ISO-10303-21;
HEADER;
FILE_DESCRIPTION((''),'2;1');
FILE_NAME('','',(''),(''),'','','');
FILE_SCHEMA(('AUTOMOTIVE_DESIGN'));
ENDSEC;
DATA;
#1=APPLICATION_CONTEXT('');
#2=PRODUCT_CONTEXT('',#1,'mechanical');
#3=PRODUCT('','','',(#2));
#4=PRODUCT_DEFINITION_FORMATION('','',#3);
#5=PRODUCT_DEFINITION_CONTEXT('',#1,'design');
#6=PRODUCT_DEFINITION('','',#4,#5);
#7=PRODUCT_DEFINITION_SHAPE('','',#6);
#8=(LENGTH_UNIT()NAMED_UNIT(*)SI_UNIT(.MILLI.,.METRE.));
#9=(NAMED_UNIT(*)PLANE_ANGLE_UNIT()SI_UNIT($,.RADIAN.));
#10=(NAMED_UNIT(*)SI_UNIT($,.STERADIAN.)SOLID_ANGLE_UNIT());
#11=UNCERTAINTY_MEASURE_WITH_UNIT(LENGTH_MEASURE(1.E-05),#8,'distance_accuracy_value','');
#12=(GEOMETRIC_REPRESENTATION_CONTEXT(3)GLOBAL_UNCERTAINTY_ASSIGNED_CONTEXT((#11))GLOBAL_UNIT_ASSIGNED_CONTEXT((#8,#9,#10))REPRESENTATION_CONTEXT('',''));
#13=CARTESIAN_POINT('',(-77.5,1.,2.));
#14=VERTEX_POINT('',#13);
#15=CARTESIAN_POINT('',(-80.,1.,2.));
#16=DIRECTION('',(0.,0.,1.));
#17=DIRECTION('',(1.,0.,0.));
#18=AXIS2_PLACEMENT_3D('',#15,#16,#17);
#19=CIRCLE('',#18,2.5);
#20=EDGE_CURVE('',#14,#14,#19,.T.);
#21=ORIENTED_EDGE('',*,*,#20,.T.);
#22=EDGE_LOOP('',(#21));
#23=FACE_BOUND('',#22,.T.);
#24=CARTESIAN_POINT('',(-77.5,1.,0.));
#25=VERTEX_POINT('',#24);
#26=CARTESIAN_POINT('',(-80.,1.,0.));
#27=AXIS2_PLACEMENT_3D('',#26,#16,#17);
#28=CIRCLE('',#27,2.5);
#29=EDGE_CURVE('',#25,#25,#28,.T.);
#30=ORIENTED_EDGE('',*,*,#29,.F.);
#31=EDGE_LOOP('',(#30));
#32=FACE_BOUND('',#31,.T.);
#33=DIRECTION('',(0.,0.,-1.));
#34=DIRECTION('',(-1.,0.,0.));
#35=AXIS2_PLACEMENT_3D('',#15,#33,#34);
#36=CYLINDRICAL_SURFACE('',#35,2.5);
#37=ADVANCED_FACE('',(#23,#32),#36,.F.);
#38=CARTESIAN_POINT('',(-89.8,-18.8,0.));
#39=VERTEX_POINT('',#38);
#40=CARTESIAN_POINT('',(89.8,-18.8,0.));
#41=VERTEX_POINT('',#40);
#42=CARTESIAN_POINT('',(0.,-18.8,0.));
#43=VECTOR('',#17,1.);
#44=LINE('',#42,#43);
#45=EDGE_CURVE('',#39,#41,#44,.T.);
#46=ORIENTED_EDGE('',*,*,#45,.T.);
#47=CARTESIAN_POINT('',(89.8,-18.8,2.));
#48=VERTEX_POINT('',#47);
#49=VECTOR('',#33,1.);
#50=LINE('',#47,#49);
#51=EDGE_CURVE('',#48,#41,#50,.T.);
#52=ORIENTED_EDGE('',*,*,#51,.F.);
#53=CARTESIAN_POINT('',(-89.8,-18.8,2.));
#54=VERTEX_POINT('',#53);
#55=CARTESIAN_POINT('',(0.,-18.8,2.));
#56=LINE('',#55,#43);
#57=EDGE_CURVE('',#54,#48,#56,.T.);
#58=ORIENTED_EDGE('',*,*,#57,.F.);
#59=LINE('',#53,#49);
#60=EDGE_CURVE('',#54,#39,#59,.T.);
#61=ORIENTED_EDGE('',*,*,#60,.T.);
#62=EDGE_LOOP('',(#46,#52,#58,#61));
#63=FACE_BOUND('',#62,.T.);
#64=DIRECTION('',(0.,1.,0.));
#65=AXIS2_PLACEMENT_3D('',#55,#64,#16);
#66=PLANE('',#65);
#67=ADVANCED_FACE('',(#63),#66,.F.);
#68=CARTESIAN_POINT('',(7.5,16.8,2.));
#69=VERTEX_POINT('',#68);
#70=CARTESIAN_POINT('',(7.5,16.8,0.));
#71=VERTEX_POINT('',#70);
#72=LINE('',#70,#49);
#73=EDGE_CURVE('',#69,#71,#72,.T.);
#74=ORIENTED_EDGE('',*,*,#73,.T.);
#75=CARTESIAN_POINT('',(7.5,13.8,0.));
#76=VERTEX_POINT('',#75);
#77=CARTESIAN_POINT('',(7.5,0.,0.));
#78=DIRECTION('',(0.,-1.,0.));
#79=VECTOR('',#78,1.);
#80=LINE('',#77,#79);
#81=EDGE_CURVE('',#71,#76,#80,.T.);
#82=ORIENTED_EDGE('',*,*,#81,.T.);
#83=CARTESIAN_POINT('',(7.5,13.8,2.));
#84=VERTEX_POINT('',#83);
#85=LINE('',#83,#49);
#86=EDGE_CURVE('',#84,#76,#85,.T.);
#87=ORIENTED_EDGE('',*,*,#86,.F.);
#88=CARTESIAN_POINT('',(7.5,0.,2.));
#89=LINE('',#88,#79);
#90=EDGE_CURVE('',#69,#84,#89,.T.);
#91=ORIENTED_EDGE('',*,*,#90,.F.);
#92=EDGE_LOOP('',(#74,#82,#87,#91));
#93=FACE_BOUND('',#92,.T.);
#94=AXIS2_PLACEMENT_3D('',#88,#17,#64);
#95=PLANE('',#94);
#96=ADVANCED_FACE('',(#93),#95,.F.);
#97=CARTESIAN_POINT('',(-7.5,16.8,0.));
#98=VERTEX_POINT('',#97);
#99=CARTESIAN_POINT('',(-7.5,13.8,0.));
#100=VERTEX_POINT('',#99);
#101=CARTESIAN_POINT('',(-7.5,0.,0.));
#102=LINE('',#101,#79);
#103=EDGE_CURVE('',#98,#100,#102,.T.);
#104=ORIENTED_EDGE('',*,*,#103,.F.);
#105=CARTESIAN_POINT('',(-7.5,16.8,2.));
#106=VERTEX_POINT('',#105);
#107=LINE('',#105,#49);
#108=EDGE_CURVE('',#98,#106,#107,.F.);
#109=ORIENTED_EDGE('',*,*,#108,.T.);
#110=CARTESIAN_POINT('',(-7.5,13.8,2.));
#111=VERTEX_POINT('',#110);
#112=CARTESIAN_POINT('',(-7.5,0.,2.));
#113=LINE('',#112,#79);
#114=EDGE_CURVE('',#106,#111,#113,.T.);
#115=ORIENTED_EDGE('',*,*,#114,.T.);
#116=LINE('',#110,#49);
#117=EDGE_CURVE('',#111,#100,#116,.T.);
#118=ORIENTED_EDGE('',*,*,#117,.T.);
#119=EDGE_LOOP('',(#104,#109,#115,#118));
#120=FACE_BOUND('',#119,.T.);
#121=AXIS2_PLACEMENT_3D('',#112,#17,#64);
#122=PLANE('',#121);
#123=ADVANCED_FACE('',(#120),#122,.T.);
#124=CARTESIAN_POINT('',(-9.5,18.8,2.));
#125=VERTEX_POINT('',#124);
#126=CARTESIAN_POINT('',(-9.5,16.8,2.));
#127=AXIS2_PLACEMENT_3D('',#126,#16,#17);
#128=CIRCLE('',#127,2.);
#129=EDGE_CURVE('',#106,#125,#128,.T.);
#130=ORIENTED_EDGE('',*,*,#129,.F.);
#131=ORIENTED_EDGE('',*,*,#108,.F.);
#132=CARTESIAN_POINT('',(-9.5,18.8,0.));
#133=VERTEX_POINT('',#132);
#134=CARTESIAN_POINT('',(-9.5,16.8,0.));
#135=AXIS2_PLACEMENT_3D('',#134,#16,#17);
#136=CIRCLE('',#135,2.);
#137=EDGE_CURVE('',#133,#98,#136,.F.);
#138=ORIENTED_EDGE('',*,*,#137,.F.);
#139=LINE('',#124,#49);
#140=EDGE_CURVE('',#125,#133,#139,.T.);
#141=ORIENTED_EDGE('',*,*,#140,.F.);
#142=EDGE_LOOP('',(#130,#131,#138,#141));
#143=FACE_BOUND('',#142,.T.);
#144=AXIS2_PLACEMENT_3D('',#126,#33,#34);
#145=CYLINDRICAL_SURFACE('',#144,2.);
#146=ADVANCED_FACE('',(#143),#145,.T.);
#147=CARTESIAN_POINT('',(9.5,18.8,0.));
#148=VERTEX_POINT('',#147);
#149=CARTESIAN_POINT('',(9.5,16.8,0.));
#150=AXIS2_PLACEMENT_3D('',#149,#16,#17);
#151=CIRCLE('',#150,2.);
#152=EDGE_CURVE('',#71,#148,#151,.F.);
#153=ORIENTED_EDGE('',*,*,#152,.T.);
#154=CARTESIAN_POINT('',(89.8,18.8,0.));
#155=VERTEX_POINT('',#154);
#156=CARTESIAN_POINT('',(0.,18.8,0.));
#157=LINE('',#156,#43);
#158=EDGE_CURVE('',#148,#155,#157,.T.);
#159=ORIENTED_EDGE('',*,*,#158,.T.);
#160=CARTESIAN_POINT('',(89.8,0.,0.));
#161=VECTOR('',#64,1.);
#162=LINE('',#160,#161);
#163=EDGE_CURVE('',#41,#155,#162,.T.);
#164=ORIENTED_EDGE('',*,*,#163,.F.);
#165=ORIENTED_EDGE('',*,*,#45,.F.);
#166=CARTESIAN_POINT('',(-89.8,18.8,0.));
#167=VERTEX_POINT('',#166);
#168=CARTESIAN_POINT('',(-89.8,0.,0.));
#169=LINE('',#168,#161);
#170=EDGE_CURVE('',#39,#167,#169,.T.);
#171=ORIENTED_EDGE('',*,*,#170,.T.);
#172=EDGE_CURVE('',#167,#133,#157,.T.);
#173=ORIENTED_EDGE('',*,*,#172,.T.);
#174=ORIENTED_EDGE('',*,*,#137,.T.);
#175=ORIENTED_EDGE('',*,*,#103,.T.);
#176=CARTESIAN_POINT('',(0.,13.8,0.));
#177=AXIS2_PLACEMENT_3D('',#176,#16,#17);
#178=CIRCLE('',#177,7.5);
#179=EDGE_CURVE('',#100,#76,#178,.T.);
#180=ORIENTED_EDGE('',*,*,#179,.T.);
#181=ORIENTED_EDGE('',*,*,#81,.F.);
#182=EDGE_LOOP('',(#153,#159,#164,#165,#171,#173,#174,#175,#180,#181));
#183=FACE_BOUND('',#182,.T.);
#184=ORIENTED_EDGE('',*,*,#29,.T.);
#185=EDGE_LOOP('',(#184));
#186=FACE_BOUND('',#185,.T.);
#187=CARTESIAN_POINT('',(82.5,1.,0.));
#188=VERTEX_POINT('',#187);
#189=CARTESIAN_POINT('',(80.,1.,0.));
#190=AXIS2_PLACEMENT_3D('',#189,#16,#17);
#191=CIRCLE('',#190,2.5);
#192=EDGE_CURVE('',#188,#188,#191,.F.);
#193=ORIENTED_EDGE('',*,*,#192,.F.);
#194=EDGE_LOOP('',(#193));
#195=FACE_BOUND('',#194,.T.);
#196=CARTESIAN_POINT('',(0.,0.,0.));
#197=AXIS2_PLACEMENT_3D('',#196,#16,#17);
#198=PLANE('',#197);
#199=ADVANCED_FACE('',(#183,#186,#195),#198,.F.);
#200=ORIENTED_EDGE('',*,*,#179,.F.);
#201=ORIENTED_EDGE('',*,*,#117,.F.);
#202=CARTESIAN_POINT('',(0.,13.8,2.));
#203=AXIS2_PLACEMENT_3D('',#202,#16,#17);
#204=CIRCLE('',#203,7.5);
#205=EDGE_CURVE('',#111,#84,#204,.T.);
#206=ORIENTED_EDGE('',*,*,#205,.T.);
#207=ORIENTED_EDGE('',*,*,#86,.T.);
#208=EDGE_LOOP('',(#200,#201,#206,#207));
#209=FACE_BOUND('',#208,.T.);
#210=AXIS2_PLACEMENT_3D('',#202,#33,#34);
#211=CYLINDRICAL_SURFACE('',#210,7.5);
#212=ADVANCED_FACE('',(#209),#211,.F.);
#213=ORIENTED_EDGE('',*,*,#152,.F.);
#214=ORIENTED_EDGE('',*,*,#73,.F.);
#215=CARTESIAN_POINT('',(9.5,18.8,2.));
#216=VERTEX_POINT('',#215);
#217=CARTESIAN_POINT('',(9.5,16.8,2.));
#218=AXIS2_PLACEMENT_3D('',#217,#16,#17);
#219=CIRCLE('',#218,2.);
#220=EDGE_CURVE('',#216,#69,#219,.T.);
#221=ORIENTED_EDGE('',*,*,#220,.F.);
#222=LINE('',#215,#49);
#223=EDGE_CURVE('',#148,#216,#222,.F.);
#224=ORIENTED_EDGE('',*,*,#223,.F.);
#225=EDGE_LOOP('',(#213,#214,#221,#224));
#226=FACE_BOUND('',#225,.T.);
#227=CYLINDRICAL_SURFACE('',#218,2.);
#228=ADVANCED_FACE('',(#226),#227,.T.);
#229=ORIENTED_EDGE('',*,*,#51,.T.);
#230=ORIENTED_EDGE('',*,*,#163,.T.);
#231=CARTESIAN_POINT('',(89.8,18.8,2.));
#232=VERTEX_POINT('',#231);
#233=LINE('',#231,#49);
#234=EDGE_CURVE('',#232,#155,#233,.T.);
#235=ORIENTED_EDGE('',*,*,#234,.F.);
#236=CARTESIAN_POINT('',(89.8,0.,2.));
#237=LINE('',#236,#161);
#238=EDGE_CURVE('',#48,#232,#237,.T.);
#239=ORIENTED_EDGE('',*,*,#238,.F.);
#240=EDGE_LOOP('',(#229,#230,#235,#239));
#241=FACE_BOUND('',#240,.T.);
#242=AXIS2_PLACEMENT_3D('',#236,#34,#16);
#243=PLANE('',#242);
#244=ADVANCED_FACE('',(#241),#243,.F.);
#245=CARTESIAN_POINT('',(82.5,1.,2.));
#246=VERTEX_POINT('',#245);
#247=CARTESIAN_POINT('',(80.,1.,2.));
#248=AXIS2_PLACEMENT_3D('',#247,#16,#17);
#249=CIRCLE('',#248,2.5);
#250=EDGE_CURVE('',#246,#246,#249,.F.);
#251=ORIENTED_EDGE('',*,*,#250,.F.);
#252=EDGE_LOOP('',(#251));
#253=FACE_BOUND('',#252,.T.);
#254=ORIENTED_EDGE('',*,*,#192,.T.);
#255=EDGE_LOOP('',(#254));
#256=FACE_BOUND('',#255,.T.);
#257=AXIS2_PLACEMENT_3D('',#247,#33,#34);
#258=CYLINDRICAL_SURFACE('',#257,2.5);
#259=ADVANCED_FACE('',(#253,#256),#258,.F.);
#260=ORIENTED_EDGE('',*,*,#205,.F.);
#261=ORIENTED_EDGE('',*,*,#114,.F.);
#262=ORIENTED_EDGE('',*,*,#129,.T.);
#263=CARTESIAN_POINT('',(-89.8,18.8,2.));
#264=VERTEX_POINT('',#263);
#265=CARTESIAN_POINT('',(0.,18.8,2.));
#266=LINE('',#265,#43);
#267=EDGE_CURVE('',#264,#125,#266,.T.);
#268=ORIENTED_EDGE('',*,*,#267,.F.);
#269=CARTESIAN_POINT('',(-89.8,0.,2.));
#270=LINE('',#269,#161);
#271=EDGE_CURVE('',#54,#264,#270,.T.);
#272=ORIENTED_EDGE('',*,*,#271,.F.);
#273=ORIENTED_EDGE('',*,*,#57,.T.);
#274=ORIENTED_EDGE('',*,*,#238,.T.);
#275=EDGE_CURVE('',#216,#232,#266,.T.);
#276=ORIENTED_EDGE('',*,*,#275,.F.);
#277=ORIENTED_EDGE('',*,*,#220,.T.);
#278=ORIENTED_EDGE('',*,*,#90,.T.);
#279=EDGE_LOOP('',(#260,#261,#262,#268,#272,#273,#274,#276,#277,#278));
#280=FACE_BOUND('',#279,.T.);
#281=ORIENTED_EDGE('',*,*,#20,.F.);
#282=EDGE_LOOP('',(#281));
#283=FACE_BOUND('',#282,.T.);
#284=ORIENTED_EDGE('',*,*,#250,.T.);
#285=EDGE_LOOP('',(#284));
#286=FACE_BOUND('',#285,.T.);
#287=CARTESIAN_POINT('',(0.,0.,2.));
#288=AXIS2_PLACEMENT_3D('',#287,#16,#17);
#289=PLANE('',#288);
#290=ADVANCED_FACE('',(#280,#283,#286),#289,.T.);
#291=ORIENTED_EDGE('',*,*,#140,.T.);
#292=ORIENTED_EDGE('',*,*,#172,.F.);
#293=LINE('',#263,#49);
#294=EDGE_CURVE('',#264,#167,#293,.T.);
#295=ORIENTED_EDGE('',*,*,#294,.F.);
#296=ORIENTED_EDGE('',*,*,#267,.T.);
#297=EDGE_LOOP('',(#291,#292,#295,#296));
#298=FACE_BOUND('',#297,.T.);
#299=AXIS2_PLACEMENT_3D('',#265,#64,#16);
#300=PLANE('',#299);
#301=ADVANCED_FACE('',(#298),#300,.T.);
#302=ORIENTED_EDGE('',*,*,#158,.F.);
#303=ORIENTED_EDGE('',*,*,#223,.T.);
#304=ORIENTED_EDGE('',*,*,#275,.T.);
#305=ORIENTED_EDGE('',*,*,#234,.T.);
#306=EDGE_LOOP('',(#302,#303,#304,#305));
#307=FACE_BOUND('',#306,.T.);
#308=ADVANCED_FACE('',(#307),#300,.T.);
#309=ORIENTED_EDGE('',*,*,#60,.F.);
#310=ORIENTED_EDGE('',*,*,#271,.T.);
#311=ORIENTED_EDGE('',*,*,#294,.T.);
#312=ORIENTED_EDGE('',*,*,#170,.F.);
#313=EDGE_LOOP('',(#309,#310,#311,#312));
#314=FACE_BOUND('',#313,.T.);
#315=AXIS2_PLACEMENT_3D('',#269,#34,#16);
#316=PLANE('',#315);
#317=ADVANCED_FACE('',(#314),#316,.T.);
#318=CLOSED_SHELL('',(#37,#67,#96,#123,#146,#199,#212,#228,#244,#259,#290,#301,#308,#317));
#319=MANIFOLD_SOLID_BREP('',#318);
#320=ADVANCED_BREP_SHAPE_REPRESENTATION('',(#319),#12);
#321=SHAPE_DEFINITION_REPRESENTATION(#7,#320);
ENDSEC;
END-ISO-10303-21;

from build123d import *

# Parameters (mm, degrees)
ESQUISSE1_R        = 2.5
BOSS_EXTRU_1_DEPTH = 2
CONG_1_R           = 2


with BuildPart() as part:
    # Esquisse1 → Boss.-Extru.1 (new body)
    with BuildSketch(Plane.XY):
        with BuildLine():
            Line((-89.8, 18.8), (-89.8, -18.8))
            Line((-89.8, -18.8), (89.8, -18.8))
            Line((89.8, -18.8), (89.8, 18.8))
            Line((89.8, 18.8), (7.5, 18.8))
            Line((7.5, 18.8), (7.5, 13.8))
            ThreePointArc((7.5, 13.8), (0, 6.3), (-7.5, 13.8))
            Line((-7.5, 13.8), (-7.5, 18.8))
            Line((-7.5, 18.8), (-89.8, 18.8))
        make_face()
        with Locations((-80, 1)):
            Circle(ESQUISSE1_R, mode=Mode.SUBTRACT)
        with Locations((80, 1)):
            Circle(ESQUISSE1_R, mode=Mode.SUBTRACT)
    extrude(amount=BOSS_EXTRU_1_DEPTH)

    # Congé1
    cong_1_edges = [part.edges().sort_by_distance(p)[0] for p in [
        (7.5, 18.8, 1),
        (-7.5, 18.8, 1),
    ]]
    fillet(cong_1_edges, radius=CONG_1_R)


solid = part.part
